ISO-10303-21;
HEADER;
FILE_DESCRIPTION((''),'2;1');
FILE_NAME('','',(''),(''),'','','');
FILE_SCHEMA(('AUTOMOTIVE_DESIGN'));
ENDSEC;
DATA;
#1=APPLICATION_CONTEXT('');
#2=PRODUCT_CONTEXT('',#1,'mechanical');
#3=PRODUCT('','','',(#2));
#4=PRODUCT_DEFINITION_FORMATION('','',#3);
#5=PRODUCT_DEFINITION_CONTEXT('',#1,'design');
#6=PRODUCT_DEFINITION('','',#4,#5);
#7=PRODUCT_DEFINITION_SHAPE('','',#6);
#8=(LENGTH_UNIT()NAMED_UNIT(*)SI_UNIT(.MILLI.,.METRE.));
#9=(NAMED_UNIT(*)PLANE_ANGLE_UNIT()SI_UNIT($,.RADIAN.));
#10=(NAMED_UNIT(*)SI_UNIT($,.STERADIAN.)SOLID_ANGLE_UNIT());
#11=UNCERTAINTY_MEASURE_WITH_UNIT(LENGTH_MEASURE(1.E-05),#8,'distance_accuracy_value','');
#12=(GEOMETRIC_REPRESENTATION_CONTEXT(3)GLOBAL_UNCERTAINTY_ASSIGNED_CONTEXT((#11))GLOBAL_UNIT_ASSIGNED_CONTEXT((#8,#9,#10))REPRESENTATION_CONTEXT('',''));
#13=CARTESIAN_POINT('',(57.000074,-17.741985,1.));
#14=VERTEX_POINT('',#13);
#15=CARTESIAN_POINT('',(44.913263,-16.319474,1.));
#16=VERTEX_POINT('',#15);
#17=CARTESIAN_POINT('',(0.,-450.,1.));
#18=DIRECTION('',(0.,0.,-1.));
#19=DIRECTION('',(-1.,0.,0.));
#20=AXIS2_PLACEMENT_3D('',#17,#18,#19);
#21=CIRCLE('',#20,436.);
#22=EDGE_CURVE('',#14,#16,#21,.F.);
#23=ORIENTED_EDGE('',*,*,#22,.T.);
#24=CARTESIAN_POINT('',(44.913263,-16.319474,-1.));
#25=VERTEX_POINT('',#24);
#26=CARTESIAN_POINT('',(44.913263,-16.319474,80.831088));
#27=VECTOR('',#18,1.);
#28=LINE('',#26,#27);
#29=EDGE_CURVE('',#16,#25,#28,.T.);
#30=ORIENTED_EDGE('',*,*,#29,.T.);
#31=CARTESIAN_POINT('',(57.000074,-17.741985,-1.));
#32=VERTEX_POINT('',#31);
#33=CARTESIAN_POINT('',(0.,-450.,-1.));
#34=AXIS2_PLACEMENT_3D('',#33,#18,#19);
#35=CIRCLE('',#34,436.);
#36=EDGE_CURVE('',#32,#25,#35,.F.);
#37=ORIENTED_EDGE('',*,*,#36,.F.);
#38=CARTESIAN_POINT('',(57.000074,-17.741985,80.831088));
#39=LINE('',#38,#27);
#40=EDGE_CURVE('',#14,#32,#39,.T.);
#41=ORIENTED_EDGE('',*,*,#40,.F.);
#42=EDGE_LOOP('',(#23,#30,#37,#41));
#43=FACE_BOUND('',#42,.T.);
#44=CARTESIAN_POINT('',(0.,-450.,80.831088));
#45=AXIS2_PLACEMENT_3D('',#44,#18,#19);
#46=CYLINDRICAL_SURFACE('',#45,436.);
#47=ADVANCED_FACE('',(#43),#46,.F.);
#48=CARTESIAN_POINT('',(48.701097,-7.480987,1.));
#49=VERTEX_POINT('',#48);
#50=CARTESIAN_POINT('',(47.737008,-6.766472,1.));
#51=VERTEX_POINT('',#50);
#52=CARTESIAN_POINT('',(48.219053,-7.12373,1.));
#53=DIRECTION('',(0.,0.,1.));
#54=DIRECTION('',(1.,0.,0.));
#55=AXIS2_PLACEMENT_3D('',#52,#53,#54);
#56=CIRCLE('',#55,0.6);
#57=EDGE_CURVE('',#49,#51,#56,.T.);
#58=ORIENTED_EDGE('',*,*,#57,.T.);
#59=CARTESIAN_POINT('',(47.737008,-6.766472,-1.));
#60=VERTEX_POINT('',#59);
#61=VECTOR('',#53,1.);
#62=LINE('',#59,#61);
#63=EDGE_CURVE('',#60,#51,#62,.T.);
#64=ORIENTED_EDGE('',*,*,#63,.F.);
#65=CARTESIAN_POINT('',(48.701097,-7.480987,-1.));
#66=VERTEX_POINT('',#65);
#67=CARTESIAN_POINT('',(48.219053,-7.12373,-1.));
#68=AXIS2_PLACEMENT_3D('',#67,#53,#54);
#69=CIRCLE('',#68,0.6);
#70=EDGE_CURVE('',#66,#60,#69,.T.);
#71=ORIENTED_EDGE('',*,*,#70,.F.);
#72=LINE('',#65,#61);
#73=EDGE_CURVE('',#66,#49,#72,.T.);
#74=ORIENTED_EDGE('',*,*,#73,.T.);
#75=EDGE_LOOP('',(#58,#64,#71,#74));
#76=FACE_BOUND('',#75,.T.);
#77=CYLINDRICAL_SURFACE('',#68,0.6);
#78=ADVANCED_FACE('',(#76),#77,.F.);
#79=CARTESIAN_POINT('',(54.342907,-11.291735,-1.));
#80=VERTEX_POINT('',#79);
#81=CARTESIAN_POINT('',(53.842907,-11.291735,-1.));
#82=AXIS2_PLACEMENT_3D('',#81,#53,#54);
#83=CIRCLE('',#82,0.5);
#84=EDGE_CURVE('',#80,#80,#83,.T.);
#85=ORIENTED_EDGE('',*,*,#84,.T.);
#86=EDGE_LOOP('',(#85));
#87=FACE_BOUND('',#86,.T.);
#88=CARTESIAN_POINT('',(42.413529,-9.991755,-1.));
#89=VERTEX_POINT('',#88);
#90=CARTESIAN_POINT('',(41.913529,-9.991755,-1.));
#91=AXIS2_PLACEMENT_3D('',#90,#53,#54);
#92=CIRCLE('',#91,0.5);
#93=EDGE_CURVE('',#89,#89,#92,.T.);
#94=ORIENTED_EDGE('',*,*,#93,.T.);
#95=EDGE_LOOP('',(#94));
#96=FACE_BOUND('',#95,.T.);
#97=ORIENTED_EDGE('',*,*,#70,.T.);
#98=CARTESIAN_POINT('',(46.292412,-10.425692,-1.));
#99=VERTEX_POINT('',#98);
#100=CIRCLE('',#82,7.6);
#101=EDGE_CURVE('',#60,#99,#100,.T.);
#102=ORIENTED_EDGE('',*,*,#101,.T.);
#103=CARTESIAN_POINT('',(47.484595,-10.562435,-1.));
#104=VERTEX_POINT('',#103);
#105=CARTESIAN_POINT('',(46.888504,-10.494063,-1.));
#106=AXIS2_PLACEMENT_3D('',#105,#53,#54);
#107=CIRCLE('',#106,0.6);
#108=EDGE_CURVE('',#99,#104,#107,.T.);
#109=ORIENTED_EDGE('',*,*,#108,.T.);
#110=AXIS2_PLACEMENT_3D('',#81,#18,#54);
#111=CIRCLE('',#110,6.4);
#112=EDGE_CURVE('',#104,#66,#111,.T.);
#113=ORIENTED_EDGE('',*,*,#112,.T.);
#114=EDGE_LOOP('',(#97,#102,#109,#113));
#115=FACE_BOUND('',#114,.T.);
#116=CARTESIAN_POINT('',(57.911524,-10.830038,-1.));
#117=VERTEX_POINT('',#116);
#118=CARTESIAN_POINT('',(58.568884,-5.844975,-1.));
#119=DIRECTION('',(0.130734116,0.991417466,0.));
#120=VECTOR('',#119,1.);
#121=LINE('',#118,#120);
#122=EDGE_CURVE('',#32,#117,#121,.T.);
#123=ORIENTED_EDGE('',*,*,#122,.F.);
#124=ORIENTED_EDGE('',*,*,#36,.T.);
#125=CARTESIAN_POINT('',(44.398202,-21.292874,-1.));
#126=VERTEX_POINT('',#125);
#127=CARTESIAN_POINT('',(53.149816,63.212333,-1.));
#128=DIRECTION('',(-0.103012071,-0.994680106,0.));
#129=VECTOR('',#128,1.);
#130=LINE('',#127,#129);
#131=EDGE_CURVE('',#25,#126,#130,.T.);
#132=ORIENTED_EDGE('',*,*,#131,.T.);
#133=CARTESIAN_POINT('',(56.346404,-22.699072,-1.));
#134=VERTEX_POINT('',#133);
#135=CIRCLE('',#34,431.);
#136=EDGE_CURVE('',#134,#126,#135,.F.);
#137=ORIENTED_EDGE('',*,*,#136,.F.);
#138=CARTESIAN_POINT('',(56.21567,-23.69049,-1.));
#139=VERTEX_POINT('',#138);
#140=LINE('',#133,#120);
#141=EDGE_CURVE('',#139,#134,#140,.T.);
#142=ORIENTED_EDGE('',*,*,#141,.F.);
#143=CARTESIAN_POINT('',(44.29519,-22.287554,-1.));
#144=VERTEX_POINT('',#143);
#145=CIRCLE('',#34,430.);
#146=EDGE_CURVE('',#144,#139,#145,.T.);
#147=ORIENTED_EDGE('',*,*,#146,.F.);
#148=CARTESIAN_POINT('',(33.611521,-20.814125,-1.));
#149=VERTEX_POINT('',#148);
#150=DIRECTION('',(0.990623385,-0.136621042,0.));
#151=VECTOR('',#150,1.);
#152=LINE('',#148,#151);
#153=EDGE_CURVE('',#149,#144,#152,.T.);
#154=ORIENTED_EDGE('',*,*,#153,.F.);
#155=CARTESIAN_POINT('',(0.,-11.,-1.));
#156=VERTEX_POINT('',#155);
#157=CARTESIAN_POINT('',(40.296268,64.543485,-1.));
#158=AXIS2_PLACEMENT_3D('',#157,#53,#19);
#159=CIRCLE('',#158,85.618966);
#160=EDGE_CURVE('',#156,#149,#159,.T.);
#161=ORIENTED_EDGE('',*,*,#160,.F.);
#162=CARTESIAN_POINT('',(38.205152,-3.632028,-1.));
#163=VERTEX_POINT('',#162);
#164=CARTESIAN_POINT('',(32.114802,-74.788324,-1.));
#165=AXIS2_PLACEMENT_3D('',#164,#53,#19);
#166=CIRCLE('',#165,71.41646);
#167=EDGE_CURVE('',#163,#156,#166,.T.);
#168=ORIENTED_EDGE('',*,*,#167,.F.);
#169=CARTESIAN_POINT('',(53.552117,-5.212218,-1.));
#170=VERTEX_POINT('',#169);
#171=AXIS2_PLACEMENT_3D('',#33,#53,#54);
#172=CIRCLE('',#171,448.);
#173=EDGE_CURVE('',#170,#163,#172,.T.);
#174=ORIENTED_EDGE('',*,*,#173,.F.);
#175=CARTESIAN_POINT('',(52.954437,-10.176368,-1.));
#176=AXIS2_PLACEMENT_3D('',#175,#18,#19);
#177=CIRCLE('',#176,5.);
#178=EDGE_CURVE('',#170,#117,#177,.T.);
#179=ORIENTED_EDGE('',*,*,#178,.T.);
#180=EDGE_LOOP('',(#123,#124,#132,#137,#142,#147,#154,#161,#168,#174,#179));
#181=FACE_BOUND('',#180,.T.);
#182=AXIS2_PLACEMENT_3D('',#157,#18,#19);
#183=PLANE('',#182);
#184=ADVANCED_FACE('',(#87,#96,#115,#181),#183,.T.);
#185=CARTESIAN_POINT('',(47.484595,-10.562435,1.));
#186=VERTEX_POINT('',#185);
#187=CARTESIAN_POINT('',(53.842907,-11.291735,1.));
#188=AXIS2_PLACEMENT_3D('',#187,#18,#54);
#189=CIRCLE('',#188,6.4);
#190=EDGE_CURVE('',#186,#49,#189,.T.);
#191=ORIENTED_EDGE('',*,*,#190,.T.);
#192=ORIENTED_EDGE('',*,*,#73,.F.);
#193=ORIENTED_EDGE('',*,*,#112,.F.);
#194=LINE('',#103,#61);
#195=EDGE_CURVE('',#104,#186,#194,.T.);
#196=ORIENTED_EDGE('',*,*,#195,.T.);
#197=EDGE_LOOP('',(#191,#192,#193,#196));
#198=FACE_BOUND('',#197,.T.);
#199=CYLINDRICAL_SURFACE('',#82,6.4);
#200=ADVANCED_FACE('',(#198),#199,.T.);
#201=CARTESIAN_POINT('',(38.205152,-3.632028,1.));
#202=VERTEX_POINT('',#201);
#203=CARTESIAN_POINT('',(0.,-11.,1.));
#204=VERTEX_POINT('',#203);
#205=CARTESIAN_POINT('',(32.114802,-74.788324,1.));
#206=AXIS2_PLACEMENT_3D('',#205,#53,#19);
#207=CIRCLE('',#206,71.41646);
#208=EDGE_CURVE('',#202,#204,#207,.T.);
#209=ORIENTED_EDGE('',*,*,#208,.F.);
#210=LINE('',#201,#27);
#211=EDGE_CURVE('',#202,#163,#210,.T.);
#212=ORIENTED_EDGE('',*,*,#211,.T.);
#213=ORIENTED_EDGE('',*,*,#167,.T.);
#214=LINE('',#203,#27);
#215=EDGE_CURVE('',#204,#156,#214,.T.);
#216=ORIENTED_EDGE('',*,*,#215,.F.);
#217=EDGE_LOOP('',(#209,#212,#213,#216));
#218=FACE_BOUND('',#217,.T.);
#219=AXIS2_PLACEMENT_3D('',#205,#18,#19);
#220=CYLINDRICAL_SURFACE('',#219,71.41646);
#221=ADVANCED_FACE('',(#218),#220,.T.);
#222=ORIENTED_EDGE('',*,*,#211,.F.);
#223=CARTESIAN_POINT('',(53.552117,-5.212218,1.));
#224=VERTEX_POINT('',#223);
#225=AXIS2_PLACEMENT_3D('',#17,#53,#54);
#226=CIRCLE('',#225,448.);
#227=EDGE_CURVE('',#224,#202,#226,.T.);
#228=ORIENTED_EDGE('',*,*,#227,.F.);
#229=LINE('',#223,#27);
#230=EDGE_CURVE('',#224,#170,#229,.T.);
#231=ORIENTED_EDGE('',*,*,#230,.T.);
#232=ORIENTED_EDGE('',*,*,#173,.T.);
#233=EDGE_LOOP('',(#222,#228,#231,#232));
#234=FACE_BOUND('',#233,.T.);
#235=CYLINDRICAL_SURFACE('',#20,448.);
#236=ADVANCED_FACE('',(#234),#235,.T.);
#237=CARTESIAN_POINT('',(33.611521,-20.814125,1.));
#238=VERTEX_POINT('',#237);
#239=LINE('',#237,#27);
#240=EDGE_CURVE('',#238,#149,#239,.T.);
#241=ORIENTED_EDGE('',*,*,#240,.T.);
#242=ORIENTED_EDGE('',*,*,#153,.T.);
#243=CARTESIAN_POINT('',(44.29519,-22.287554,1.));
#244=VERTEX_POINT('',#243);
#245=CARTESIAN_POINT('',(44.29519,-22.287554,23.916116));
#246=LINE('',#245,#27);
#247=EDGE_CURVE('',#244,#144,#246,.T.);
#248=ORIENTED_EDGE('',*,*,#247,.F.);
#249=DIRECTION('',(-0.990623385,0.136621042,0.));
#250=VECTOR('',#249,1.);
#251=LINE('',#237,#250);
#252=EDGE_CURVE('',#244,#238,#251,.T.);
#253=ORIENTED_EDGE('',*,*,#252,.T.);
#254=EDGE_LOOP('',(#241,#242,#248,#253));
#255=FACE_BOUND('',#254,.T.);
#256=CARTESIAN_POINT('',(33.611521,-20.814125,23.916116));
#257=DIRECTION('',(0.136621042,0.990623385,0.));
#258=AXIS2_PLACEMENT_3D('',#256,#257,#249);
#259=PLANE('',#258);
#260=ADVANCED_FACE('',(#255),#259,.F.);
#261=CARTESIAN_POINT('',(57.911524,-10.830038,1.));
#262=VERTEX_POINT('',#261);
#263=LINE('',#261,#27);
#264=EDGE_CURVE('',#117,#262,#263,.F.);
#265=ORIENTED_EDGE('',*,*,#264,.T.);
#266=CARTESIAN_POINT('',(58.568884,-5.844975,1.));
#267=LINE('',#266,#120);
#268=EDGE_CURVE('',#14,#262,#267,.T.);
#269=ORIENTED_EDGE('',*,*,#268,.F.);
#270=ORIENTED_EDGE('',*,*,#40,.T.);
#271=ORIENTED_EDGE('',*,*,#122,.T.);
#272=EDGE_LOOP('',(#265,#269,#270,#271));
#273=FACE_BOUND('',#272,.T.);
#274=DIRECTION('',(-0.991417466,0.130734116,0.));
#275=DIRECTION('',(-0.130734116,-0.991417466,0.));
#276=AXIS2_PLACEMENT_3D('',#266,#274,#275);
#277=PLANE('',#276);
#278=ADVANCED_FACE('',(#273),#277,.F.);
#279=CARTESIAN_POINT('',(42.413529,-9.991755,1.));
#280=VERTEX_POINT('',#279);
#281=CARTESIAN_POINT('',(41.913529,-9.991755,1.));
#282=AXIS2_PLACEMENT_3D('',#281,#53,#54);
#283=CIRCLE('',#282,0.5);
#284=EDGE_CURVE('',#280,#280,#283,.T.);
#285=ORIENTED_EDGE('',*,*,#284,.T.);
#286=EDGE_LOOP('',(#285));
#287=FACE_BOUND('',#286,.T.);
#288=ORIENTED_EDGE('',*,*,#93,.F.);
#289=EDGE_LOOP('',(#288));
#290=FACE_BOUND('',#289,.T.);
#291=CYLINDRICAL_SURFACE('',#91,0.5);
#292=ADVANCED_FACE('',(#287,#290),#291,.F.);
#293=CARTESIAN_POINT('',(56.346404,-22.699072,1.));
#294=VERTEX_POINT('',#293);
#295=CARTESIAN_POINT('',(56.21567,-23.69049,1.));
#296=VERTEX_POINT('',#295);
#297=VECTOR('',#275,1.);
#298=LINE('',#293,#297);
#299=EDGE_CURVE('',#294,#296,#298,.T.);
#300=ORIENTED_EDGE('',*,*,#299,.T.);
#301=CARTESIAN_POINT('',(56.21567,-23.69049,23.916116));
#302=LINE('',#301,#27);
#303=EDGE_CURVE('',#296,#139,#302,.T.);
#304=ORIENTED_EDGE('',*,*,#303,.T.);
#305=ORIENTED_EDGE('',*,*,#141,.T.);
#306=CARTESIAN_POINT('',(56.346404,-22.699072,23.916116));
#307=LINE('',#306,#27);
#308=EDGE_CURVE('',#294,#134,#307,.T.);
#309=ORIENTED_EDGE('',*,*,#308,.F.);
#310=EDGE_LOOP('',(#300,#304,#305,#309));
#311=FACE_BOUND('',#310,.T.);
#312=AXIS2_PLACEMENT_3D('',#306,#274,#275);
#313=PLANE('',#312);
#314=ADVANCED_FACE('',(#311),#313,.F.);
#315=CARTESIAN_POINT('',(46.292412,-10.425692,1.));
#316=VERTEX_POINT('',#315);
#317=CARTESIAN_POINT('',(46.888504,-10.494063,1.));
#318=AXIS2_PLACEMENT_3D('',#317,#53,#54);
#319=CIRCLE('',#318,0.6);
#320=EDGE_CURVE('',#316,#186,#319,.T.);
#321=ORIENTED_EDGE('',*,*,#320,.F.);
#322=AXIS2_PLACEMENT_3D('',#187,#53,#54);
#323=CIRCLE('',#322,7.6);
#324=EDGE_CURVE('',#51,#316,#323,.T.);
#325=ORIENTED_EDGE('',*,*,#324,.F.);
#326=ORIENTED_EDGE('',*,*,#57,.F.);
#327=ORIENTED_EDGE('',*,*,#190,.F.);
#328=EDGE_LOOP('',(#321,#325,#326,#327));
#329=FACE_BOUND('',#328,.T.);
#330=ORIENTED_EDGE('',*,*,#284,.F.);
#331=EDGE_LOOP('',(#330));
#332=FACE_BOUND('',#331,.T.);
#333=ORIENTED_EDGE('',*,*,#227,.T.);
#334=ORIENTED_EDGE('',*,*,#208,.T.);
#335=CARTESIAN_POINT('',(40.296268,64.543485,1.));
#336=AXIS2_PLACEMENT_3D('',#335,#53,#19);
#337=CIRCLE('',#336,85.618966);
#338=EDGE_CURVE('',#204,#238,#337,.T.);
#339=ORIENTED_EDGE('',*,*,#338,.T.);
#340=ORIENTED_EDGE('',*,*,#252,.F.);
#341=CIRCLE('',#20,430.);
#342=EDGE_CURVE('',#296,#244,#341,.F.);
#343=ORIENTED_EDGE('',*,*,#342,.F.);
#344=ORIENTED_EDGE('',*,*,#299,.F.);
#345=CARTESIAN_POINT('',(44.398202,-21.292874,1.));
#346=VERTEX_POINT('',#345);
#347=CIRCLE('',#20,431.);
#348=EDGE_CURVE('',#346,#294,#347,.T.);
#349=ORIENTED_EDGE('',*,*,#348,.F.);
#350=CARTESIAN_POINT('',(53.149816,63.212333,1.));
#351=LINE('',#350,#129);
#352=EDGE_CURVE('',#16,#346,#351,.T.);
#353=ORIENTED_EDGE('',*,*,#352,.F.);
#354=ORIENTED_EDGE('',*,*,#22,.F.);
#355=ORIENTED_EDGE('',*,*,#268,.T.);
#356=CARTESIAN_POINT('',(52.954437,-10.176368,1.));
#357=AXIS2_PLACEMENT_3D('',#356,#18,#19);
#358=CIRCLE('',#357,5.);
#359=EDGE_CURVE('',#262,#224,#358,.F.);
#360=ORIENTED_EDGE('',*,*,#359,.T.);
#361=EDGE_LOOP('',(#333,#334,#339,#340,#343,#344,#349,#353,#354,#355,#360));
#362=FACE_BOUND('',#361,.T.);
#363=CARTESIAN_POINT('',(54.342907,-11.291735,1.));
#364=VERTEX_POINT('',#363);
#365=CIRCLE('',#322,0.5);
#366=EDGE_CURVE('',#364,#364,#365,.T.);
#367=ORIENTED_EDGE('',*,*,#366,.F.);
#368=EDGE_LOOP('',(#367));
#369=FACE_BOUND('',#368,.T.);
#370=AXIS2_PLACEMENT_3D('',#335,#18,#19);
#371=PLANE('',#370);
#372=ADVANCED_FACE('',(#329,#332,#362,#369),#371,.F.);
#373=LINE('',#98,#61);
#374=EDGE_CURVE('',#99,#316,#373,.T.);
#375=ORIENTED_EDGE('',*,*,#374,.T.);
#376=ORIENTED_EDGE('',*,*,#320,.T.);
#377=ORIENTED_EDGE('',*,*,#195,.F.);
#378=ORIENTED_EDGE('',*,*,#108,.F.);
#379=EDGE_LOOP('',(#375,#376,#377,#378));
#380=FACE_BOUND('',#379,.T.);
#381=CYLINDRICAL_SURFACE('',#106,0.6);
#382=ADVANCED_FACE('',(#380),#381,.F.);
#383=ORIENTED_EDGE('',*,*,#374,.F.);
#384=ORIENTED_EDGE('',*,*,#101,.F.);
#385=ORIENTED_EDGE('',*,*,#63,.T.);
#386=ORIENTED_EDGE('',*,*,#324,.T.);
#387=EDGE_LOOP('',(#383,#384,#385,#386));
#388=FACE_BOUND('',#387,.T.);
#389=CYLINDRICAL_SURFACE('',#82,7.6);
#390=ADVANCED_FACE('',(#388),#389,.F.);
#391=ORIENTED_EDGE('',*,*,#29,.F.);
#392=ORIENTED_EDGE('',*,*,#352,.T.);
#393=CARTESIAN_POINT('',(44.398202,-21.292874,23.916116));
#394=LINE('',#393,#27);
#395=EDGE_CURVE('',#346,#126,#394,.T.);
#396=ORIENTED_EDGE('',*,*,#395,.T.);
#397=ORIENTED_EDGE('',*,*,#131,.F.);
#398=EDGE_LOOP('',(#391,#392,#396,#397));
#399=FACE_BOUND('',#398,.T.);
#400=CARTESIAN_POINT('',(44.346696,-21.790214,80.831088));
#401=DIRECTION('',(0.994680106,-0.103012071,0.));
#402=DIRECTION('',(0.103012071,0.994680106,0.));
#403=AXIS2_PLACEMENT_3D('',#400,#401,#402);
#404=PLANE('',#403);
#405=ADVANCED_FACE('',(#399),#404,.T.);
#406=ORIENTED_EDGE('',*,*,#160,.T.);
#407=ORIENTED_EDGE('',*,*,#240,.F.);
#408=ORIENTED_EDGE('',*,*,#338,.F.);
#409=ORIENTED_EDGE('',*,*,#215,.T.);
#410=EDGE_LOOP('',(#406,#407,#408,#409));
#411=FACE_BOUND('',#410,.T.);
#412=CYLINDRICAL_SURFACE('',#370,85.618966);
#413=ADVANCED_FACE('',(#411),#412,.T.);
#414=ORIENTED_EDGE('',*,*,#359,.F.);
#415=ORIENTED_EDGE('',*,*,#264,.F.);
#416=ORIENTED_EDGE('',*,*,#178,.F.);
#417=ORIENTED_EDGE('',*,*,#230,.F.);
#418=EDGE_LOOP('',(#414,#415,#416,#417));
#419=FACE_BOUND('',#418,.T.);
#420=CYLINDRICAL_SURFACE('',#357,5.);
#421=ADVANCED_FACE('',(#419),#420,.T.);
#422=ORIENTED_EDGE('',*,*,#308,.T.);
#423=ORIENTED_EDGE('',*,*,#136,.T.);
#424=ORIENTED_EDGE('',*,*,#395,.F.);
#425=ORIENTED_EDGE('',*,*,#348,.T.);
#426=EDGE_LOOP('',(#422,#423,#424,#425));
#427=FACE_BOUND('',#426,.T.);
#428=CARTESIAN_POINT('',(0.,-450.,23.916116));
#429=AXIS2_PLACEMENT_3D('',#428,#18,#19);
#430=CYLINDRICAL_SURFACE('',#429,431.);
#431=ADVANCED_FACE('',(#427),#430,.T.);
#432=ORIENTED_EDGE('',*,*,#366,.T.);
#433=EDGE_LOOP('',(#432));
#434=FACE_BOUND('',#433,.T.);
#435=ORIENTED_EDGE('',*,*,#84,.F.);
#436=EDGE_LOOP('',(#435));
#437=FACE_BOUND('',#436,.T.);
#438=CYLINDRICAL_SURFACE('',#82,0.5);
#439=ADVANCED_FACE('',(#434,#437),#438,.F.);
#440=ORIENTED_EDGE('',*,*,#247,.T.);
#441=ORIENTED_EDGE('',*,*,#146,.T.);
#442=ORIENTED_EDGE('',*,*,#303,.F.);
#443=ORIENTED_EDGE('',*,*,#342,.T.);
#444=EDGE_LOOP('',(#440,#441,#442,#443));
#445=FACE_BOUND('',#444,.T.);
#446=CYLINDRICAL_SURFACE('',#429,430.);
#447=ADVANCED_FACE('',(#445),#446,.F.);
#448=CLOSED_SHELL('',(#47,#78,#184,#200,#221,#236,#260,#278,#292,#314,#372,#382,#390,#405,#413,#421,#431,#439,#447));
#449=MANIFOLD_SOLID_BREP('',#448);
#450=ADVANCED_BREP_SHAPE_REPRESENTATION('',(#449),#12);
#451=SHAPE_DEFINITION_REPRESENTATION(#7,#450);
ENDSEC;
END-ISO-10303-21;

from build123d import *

# Parameters (mm, degrees)
P_IDAT_VYSUNUT_M1_DEPTH             = 1
SKICA3_R                            = 0.5
ODEBRAT_VYSUNUT_M1_DEPTH            = 64.02628038
ODEBRAT_VYSUNUT_M2_DEPTH            = 64.02628038
ODEBRAT_VYSUNUT_M2_DEPTH_BACK       = 64.02628038
P_IDAT_VYSUNUT_M2_REACH             = 64.499
P_IDAT_VYSUNUT_M2_DIRECTION_2_REACH = 64.499
ZAOBLIT1_R                          = 5


with BuildPart() as part:
    # Skica2 → Přidat vysunutím1 (new, symmetric)
    with BuildSketch(Plane.XY):
        with BuildLine():
            Line((58.568883798, -5.84497543), (56.281036775, -23.194781077))
            ThreePointArc((56.281036775, -23.194781077), (44.962038089, -21.854387935), (33.611521044, -20.814124588))
            ThreePointArc((33.611521044, -20.814124588), (16.298701423, -17.643643834), (0, -11))
            ThreePointArc((0, -11), (18.591127375, -4.663998517), (38.205152177, -3.63202809))
            ThreePointArc((38.205152177, -3.63202809), (48.399667289, -4.622101799), (58.568883798, -5.84497543))
        make_face()
    extrude(amount=P_IDAT_VYSUNUT_M1_DEPTH, both=True)

    # Skica3 → Odebrat vysunutím1 (cut, through all)
    with BuildSketch(Plane.XY.offset(1)):
        with Locations((41.913528916, -9.991754516)):
            Circle(SKICA3_R)
        with Locations((53.842906505, -11.291735411)):
            Circle(SKICA3_R)
        with BuildLine():
            ThreePointArc((47.737008304, -6.766472197), (46.773837436, -8.500989544), (46.292411943, -10.42569161))
            ThreePointArc((46.292411943, -10.42569161), (46.82013174, -11.090155165), (47.484595295, -10.562435368))
            ThreePointArc((47.484595295, -10.562435368), (47.890006236, -8.941633628), (48.701097493, -7.480987442))
            ThreePointArc((48.701097493, -7.480987442), (48.576310521, -6.641685225), (47.737008304, -6.766472197))
        make_face()
    extrude(amount=-ODEBRAT_VYSUNUT_M1_DEPTH, mode=Mode.SUBTRACT)

    # Skica4 → Odebrat vysunutím2 (cut, two sides: drawn at the far end of the back side and taken through both)
    with BuildSketch(Plane.XY.offset(1).offset(-ODEBRAT_VYSUNUT_M2_DEPTH_BACK)):
        with BuildLine():
            Line((44.91326279, -16.319473776), (44.346696401, -21.790214359))
            ThreePointArc((44.346696401, -21.790214359), (50.318767602, -22.450854723), (56.281036775, -23.194781077))
            Line((56.281036775, -23.194781077), (57.000074411, -17.741985017))
            ThreePointArc((57.000074411, -17.741985017), (50.961632228, -16.988554377), (44.91326279, -16.319473776))
        make_face()
    extrude(amount=ODEBRAT_VYSUNUT_M2_DEPTH + ODEBRAT_VYSUNUT_M2_DEPTH_BACK, mode=Mode.SUBTRACT)

    # Přidat vysunutím2: up to this face of the body (flat: up to its plane)
    p_idat_vysunut_m2_end = Plane(part.part.faces().sort_by_distance((32.156276153, -11.702089795, 1))[0])
    # Skica5 → Přidat vysunutím2 (add, up to the picked face)
    with BuildSketch(Plane.XY, mode=Mode.PRIVATE) as p_idat_vysunut_m2_sk1:
        with BuildLine():
            Line((33.611521044, -20.814124588), (44.295190366, -22.287554412))
            ThreePointArc((44.295190366, -22.287554412), (50.260325363, -22.947427482), (56.215669717, -23.69048981))
            Line((56.215669717, -23.69048981), (56.346403833, -22.699072345))
            ThreePointArc((56.346403833, -22.699072345), (50.37720984, -21.954281964), (44.398202436, -21.292874306))
            Line((44.398202436, -21.292874306), (44.346696401, -21.790214359))
            ThreePointArc((44.346696401, -21.790214359), (38.982163929, -21.268567871), (33.611521044, -20.814124588))
        make_face()
    p_idat_vysunut_m2_tool1 = split(extrude(p_idat_vysunut_m2_sk1.sketch, amount=P_IDAT_VYSUNUT_M2_REACH, mode=Mode.PRIVATE), bisect_by=p_idat_vysunut_m2_end, keep=Keep.BOTH, mode=Mode.PRIVATE)
    add(p_idat_vysunut_m2_tool1.solids().sort_by(Axis((48.409605, -22.295213, 0), (0, 0, 1)))[0])

    # Přidat vysunutím2 direction 2: up to this face of the body (flat: up to its plane)
    p_idat_vysunut_m2_direction_2_end = Plane(part.part.faces().sort_by_distance((32.156276153, -11.702089795, -1))[0])
    # Skica5 → Přidat vysunutím2 direction 2 (add, up to the picked face)
    with BuildSketch(Plane.XY, mode=Mode.PRIVATE) as p_idat_vysunut_m2_direction_2_sk1:
        with BuildLine():
            Line((33.611521044, -20.814124588), (44.295190366, -22.287554412))
            ThreePointArc((44.295190366, -22.287554412), (50.260325363, -22.947427482), (56.215669717, -23.69048981))
            Line((56.215669717, -23.69048981), (56.346403833, -22.699072345))
            ThreePointArc((56.346403833, -22.699072345), (50.37720984, -21.954281964), (44.398202436, -21.292874306))
            Line((44.398202436, -21.292874306), (44.346696401, -21.790214359))
            ThreePointArc((44.346696401, -21.790214359), (38.982163929, -21.268567871), (33.611521044, -20.814124588))
        make_face()
    p_idat_vysunut_m2_direction_2_tool1 = split(extrude(p_idat_vysunut_m2_direction_2_sk1.sketch, amount=-P_IDAT_VYSUNUT_M2_DIRECTION_2_REACH, mode=Mode.PRIVATE), bisect_by=p_idat_vysunut_m2_direction_2_end, keep=Keep.BOTH, mode=Mode.PRIVATE)
    add(p_idat_vysunut_m2_direction_2_tool1.solids().sort_by(Axis((48.409605, -22.295213, 0), (0, 0, -1)))[0])

    # Zaoblit1
    zaoblit1_edges = [part.edges().sort_by_distance(p)[0] for p in [
        (58.568883798, -5.84497543, 0),
    ]]
    fillet(zaoblit1_edges, radius=ZAOBLIT1_R)


solid = part.part
